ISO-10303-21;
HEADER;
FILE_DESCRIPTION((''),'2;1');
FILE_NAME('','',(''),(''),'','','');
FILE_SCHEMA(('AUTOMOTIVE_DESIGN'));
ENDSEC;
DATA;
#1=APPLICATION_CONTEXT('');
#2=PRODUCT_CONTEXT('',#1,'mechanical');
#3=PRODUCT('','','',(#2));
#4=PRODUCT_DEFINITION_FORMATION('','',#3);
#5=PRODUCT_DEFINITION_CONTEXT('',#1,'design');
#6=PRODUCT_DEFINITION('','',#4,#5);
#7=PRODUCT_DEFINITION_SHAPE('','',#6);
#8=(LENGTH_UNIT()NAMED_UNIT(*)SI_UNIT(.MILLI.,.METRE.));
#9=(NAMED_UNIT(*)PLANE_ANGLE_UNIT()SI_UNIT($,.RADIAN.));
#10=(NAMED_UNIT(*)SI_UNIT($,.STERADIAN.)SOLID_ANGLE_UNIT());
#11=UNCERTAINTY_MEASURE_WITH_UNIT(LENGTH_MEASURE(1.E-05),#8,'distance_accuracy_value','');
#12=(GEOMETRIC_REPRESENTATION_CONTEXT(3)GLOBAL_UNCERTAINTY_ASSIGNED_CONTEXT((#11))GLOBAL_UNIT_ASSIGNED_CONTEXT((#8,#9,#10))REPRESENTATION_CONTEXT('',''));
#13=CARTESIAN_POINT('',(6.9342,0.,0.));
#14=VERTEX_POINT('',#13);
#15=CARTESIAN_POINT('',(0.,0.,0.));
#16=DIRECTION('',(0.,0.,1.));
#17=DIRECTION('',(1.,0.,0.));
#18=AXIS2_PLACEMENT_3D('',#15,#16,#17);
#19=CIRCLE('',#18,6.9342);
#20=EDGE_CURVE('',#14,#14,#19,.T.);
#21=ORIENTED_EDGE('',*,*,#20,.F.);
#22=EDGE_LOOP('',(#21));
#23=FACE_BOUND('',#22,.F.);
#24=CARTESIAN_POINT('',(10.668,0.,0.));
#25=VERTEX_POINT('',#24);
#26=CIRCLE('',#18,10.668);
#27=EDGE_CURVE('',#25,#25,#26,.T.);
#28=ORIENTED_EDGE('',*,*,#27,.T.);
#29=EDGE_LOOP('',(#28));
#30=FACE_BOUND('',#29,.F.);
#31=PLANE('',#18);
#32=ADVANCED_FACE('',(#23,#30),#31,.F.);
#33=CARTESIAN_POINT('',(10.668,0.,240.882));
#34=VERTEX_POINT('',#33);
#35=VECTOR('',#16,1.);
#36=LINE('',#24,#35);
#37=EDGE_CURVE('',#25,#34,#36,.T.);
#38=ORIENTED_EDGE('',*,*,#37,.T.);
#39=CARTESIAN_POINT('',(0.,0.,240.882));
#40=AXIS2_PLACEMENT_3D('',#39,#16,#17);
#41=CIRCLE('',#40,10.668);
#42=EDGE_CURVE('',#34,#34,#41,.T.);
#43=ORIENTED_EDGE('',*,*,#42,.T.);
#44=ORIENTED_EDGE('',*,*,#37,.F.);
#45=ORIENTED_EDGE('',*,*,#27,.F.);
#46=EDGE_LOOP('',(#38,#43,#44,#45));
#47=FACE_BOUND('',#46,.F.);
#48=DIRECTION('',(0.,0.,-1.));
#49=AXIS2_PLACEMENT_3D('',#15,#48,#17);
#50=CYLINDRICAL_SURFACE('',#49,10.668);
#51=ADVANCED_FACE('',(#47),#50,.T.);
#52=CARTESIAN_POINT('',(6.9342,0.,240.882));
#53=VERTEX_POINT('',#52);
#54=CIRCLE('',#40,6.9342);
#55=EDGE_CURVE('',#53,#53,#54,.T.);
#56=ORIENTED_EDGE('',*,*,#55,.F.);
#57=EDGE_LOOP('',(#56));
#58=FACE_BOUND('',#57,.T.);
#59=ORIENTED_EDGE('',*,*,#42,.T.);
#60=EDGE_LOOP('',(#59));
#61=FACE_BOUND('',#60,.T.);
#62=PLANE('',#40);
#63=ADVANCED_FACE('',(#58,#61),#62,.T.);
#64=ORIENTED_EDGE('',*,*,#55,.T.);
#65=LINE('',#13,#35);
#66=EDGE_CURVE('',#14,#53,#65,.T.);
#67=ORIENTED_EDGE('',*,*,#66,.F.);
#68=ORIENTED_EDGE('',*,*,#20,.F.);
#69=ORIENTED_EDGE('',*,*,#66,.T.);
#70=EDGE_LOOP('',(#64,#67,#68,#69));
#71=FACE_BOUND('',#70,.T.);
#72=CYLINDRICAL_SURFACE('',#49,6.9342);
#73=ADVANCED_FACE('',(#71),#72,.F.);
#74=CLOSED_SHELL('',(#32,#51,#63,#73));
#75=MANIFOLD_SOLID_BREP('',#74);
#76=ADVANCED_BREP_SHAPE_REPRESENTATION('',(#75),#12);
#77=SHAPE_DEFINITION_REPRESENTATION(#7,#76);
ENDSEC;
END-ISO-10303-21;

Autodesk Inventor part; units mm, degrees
ref_plane "YZ Plane" through (0, 0, 0) normal (1, 0, 0) x (0, 1, 0)
ref_plane "Start Plane" through (0, 0, 0) normal (0, 0, 1) x (1, 0, 0)
ref_plane "End Plane" through (0, 0, 240.882) normal (0, 0, 1) x (1, 0, 0)
sketch "Sketch" plane through (0, 0, 0) normal (0, 0, 1) x (1, 0, 0)
  circle A0 centre (0, 0) radius 6.9342
  circle A1 centre (0, 0) radius 10.668
  dimension "d0" = 21.336
  dimension "d1" = 3.7338
extrude "Body" add sketch "Sketch" along normal up to surface (240.882 mm away) from surface at 0
sketch "Sketch3" plane through (0, 0, 0) normal (0, 0, 1) x (1, 0, 0)
  line L0 (0, 0) -> (10, 0)
ref_plane "Work Plane3" through (0, 0, 0) normal (0, -1, 0) x (1, 0, 0)
sketch "Sketch4" plane through (0, 0, 0) normal (0, -1, 0) x (1, 0, 0)
  line L0 (-2, 0) -> (12, 0)
  line L1 (-2, 240.882) -> (12, 240.882)
  dimension "d7" = 240.882
equation "\"d0\" = G_H"
equation "\"d1\" = G_T"
equation "\"d2\" = G_L"
equation "\"G_H\" = 21.336"
equation "\"G_T\" = 3.7338"
equation "\"G_L\" = d7"
equation "\"G_OFFSET_START\" = 0"
equation "\"G_OFFSET_END\" = 0"
equation "\"d5\" = G_OFFSET_END + B_L"
equation "\"B_L\" = 240.88196"
properties part number "ANSI - 1/2 x 0.147 - 9.484" material "Steel, Mild"
